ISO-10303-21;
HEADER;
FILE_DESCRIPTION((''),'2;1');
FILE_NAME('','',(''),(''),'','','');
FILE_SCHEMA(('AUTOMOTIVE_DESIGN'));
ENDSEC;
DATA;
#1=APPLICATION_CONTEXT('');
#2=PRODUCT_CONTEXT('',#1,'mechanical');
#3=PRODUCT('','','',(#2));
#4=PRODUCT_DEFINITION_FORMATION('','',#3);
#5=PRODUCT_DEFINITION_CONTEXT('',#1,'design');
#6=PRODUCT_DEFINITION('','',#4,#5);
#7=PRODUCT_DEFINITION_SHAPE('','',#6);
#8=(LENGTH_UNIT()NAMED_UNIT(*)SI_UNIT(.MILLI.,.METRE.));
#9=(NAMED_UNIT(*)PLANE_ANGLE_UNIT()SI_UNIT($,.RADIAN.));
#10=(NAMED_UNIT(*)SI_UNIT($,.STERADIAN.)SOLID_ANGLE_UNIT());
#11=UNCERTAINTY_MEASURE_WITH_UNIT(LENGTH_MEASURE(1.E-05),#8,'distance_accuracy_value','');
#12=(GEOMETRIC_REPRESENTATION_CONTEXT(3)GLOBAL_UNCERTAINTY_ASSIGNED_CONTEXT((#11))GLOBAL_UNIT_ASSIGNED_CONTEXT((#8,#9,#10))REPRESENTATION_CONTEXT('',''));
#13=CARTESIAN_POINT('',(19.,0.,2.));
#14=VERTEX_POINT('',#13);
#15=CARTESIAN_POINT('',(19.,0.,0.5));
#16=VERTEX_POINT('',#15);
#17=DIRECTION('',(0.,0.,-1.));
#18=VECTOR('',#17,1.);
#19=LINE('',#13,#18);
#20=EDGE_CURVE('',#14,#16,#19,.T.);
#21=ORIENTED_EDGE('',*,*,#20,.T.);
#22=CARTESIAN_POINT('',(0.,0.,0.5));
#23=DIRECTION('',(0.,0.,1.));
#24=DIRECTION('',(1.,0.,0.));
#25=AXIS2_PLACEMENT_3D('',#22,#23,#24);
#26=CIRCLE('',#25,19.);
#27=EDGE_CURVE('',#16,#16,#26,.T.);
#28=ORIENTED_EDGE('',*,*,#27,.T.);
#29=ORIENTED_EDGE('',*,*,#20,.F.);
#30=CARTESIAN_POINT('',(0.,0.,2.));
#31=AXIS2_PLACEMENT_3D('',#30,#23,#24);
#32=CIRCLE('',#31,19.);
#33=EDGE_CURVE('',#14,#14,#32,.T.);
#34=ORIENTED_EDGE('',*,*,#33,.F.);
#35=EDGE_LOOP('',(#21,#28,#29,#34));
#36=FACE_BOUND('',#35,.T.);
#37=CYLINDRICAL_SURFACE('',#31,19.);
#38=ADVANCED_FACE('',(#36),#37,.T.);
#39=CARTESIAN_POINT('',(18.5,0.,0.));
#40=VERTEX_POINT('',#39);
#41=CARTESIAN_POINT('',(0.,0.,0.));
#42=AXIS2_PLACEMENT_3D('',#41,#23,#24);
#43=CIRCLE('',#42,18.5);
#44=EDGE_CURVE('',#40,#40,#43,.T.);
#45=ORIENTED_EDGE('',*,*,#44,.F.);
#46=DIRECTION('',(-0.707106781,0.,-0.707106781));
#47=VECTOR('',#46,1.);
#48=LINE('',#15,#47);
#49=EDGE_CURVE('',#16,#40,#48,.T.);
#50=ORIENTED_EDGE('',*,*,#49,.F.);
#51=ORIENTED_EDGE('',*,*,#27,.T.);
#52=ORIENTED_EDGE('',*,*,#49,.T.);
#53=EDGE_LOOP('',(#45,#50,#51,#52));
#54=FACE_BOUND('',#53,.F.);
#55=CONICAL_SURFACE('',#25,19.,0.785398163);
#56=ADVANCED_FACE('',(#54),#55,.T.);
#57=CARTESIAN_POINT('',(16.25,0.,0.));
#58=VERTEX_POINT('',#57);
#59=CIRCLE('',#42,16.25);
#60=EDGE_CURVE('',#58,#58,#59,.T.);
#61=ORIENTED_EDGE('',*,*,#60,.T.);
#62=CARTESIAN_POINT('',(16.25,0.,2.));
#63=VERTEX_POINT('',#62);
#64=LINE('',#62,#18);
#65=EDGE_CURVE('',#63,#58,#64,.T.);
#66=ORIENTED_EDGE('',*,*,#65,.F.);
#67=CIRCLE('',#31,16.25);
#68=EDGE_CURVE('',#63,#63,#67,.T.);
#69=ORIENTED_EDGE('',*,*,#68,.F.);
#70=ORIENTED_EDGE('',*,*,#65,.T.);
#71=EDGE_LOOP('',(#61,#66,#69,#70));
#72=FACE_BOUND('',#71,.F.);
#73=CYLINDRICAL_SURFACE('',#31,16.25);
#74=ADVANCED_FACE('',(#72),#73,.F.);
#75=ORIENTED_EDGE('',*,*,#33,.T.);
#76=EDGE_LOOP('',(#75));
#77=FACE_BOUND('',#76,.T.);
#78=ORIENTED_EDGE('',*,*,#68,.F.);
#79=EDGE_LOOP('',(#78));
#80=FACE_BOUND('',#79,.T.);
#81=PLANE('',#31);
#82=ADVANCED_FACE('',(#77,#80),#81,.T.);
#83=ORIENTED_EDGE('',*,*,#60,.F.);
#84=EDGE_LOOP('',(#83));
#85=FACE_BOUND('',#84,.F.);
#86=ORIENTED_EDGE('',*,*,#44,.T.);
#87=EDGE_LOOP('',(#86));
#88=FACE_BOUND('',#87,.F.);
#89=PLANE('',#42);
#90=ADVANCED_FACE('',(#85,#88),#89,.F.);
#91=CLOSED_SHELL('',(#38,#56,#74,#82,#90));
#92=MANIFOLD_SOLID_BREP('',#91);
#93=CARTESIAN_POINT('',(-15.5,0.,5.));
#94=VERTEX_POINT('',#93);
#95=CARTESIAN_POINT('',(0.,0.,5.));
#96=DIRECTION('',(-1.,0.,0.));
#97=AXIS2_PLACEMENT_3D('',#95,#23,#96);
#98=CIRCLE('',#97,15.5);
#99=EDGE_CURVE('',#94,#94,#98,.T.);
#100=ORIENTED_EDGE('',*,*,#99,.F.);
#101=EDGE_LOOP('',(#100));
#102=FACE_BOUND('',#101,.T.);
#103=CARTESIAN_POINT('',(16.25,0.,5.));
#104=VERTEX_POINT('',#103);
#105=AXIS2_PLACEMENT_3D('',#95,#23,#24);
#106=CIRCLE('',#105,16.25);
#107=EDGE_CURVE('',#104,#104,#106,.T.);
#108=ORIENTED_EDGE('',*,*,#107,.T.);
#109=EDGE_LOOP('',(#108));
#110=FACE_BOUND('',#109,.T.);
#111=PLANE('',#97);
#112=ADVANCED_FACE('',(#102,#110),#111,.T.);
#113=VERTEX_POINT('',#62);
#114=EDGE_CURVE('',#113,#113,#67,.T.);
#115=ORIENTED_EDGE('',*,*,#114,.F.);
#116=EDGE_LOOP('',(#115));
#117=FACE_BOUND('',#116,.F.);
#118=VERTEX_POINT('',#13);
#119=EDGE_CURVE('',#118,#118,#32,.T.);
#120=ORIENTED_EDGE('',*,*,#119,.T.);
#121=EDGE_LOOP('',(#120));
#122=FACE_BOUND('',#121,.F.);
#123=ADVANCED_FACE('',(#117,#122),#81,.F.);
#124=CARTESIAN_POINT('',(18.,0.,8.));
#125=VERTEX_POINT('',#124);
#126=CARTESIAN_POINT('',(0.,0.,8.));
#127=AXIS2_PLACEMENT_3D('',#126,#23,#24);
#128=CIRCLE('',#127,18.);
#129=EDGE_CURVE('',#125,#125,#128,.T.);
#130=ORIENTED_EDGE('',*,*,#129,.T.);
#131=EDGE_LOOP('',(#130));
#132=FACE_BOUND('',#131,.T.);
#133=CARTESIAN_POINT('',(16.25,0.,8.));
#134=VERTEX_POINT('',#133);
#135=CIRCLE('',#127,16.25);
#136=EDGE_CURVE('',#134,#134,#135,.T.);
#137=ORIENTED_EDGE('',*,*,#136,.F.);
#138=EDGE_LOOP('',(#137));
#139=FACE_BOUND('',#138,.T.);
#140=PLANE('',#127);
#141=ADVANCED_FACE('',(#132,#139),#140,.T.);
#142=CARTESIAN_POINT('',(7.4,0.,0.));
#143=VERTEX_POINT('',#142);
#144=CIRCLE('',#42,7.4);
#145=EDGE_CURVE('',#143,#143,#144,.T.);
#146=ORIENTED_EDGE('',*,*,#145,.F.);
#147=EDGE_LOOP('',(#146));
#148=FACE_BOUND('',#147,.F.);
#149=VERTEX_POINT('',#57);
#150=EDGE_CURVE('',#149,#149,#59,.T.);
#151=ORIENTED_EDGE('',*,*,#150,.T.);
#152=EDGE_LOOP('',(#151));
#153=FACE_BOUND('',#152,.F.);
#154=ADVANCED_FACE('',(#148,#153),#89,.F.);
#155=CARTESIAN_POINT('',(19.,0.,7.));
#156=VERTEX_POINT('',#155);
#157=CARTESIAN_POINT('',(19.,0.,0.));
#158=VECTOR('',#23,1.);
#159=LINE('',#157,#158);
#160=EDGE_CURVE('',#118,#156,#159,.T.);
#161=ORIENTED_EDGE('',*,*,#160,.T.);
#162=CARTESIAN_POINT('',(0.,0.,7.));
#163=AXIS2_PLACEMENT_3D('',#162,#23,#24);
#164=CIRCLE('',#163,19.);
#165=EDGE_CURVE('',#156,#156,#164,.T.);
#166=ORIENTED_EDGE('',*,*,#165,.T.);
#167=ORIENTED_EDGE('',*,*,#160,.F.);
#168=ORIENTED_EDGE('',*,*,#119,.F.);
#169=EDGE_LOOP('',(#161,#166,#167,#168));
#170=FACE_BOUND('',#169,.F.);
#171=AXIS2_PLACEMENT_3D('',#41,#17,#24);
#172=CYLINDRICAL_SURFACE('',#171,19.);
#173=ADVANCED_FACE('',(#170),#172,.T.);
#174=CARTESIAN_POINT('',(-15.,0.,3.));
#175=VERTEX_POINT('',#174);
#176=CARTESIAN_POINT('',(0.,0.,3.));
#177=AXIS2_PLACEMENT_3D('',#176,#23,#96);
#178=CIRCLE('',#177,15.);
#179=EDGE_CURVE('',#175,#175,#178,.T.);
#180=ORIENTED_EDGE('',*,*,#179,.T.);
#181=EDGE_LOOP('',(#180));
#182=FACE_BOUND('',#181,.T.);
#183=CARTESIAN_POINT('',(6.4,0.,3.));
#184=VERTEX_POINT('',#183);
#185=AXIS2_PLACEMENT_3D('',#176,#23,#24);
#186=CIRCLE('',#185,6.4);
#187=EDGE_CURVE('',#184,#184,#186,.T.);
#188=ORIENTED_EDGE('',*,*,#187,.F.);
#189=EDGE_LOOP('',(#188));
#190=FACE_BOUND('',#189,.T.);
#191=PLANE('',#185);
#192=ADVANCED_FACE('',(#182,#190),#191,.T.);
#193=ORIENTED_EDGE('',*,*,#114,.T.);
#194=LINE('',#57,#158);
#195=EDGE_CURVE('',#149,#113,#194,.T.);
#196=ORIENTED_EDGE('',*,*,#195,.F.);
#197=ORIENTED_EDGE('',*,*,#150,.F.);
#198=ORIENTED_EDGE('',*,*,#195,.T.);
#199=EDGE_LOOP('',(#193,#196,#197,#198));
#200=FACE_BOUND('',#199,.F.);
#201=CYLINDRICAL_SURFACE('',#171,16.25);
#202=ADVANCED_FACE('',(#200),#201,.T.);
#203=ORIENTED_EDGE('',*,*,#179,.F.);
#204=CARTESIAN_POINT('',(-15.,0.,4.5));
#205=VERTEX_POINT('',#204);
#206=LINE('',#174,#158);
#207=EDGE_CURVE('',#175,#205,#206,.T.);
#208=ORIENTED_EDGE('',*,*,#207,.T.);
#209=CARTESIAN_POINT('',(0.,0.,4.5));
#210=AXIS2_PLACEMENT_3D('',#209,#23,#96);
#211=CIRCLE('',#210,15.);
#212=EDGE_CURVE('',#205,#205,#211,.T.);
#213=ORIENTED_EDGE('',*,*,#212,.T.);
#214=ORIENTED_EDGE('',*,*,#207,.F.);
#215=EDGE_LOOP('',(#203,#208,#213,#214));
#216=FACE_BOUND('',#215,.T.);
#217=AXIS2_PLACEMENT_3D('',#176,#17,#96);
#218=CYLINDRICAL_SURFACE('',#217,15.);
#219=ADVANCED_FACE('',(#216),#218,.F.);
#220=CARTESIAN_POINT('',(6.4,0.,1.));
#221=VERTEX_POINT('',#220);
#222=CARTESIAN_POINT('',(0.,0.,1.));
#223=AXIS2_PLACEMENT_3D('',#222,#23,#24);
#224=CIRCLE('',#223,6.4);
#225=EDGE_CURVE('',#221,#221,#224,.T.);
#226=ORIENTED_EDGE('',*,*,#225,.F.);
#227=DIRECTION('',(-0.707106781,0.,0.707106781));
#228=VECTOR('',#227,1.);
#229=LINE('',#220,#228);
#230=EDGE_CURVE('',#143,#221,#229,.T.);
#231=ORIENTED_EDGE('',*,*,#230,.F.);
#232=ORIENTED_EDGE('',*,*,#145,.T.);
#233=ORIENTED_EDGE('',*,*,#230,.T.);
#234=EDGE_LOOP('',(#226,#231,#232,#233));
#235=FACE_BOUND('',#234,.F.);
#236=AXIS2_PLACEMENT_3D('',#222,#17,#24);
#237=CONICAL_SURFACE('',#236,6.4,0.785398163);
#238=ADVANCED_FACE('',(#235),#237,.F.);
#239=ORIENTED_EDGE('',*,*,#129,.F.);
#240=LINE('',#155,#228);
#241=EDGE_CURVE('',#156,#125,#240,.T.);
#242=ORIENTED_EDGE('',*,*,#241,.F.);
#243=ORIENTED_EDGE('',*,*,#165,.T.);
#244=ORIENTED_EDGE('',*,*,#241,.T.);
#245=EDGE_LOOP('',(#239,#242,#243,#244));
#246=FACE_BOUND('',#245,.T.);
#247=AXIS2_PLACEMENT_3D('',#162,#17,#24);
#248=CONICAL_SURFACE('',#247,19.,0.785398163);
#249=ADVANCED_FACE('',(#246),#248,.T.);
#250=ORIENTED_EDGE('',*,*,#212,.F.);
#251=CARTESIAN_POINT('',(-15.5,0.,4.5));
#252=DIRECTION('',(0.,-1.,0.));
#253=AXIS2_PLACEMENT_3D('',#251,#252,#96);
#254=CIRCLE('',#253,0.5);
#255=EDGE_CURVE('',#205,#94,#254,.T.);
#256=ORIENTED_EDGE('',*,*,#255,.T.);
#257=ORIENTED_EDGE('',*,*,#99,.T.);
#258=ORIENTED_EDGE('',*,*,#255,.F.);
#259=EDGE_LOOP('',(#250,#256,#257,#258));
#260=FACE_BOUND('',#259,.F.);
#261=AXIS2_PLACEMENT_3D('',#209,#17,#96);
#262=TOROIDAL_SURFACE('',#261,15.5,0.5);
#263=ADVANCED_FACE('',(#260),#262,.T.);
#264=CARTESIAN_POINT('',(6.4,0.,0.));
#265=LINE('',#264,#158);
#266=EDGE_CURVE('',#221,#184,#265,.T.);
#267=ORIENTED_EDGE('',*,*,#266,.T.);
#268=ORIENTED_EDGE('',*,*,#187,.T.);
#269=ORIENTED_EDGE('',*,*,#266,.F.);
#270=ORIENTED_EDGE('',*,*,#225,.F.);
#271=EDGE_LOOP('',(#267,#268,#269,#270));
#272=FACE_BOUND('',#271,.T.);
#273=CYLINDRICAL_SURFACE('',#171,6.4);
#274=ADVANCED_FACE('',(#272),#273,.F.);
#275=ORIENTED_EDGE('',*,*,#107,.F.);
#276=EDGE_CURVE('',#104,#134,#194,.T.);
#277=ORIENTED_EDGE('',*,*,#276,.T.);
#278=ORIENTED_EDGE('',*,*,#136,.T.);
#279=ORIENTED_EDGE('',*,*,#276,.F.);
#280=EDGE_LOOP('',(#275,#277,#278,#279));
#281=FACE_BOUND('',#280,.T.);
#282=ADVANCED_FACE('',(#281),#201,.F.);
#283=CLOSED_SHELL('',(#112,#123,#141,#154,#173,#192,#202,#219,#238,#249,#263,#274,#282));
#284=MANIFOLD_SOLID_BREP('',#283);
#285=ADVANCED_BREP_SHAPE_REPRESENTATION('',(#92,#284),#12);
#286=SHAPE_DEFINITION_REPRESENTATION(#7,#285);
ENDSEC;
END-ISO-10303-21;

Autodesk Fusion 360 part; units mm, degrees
sketch "Sketch1" plane through (0, 0, 0) normal (0, 0, 1) x (1, 0, 0)
  circle A0 centre (0, 0) radius 16.25
  circle A1 centre (0, 0) radius 19
  circle A2 centre (0, 0) radius 6.4
  dimension "d1" = 32.5
  dimension "d2" = 38
  dimension "d3" = 12.8
extrude "Extrude1" add sketch "Sketch1" along normal blind 8 contours A1 makes body 1
extrude "Extrude2" add sketch "Sketch1" along normal blind 3 contours A0 bodies 1
chamfer "Chamfer1" distance 1 angle 45 1 edges at (-17.7142, -6.8707, 8) on bodies 1
chamfer "Chamfer2" distance 1 angle 45 1 edges at (-5.9669, 2.3143, 0) on bodies 1
sketch "Sketch2" plane through (0, 0, 3) normal (0, 0, 1) x (-1, 0, 0)
  circle A0 centre (0, 0) radius 6.4
  circle A1 centre (0, 0) radius 16.25
  circle A2 centre (0, 0) radius 15
  dimension "d10" = 30
extrude "Extrude3" add sketch "Sketch2" along normal blind 2 contours A1 bodies 1
fillet "Fillet1" radius 0.5 1 edges at (13.9849, -5.4242, 5) on bodies 1
chamfer "Chamfer3" distance 0.5 angle 45 1 edges at (-17.7142, -6.8707, 0) on bodies 1
extrude "Extrude4" cut sketch "Sketch1" along normal blind 2 contours A1 bodies 1
extrude "Extrude1'" add 1 faces at (17.9521, -1.7512, 2) along direction (0, 0, -1) blind 2 separate body on bodies 1 makes body 2 in component "Color Ring"
chamfer "Chamfer1'" distance 0.5 angle 45 1 edges at (-17.7142, 6.8707, 0) on bodies 2 in component "Color Ring"
component "Color Ring" placed x (1, 0, 0) y (0, 1, 0) z (0, 0, 1) at (0, 0, 0)
